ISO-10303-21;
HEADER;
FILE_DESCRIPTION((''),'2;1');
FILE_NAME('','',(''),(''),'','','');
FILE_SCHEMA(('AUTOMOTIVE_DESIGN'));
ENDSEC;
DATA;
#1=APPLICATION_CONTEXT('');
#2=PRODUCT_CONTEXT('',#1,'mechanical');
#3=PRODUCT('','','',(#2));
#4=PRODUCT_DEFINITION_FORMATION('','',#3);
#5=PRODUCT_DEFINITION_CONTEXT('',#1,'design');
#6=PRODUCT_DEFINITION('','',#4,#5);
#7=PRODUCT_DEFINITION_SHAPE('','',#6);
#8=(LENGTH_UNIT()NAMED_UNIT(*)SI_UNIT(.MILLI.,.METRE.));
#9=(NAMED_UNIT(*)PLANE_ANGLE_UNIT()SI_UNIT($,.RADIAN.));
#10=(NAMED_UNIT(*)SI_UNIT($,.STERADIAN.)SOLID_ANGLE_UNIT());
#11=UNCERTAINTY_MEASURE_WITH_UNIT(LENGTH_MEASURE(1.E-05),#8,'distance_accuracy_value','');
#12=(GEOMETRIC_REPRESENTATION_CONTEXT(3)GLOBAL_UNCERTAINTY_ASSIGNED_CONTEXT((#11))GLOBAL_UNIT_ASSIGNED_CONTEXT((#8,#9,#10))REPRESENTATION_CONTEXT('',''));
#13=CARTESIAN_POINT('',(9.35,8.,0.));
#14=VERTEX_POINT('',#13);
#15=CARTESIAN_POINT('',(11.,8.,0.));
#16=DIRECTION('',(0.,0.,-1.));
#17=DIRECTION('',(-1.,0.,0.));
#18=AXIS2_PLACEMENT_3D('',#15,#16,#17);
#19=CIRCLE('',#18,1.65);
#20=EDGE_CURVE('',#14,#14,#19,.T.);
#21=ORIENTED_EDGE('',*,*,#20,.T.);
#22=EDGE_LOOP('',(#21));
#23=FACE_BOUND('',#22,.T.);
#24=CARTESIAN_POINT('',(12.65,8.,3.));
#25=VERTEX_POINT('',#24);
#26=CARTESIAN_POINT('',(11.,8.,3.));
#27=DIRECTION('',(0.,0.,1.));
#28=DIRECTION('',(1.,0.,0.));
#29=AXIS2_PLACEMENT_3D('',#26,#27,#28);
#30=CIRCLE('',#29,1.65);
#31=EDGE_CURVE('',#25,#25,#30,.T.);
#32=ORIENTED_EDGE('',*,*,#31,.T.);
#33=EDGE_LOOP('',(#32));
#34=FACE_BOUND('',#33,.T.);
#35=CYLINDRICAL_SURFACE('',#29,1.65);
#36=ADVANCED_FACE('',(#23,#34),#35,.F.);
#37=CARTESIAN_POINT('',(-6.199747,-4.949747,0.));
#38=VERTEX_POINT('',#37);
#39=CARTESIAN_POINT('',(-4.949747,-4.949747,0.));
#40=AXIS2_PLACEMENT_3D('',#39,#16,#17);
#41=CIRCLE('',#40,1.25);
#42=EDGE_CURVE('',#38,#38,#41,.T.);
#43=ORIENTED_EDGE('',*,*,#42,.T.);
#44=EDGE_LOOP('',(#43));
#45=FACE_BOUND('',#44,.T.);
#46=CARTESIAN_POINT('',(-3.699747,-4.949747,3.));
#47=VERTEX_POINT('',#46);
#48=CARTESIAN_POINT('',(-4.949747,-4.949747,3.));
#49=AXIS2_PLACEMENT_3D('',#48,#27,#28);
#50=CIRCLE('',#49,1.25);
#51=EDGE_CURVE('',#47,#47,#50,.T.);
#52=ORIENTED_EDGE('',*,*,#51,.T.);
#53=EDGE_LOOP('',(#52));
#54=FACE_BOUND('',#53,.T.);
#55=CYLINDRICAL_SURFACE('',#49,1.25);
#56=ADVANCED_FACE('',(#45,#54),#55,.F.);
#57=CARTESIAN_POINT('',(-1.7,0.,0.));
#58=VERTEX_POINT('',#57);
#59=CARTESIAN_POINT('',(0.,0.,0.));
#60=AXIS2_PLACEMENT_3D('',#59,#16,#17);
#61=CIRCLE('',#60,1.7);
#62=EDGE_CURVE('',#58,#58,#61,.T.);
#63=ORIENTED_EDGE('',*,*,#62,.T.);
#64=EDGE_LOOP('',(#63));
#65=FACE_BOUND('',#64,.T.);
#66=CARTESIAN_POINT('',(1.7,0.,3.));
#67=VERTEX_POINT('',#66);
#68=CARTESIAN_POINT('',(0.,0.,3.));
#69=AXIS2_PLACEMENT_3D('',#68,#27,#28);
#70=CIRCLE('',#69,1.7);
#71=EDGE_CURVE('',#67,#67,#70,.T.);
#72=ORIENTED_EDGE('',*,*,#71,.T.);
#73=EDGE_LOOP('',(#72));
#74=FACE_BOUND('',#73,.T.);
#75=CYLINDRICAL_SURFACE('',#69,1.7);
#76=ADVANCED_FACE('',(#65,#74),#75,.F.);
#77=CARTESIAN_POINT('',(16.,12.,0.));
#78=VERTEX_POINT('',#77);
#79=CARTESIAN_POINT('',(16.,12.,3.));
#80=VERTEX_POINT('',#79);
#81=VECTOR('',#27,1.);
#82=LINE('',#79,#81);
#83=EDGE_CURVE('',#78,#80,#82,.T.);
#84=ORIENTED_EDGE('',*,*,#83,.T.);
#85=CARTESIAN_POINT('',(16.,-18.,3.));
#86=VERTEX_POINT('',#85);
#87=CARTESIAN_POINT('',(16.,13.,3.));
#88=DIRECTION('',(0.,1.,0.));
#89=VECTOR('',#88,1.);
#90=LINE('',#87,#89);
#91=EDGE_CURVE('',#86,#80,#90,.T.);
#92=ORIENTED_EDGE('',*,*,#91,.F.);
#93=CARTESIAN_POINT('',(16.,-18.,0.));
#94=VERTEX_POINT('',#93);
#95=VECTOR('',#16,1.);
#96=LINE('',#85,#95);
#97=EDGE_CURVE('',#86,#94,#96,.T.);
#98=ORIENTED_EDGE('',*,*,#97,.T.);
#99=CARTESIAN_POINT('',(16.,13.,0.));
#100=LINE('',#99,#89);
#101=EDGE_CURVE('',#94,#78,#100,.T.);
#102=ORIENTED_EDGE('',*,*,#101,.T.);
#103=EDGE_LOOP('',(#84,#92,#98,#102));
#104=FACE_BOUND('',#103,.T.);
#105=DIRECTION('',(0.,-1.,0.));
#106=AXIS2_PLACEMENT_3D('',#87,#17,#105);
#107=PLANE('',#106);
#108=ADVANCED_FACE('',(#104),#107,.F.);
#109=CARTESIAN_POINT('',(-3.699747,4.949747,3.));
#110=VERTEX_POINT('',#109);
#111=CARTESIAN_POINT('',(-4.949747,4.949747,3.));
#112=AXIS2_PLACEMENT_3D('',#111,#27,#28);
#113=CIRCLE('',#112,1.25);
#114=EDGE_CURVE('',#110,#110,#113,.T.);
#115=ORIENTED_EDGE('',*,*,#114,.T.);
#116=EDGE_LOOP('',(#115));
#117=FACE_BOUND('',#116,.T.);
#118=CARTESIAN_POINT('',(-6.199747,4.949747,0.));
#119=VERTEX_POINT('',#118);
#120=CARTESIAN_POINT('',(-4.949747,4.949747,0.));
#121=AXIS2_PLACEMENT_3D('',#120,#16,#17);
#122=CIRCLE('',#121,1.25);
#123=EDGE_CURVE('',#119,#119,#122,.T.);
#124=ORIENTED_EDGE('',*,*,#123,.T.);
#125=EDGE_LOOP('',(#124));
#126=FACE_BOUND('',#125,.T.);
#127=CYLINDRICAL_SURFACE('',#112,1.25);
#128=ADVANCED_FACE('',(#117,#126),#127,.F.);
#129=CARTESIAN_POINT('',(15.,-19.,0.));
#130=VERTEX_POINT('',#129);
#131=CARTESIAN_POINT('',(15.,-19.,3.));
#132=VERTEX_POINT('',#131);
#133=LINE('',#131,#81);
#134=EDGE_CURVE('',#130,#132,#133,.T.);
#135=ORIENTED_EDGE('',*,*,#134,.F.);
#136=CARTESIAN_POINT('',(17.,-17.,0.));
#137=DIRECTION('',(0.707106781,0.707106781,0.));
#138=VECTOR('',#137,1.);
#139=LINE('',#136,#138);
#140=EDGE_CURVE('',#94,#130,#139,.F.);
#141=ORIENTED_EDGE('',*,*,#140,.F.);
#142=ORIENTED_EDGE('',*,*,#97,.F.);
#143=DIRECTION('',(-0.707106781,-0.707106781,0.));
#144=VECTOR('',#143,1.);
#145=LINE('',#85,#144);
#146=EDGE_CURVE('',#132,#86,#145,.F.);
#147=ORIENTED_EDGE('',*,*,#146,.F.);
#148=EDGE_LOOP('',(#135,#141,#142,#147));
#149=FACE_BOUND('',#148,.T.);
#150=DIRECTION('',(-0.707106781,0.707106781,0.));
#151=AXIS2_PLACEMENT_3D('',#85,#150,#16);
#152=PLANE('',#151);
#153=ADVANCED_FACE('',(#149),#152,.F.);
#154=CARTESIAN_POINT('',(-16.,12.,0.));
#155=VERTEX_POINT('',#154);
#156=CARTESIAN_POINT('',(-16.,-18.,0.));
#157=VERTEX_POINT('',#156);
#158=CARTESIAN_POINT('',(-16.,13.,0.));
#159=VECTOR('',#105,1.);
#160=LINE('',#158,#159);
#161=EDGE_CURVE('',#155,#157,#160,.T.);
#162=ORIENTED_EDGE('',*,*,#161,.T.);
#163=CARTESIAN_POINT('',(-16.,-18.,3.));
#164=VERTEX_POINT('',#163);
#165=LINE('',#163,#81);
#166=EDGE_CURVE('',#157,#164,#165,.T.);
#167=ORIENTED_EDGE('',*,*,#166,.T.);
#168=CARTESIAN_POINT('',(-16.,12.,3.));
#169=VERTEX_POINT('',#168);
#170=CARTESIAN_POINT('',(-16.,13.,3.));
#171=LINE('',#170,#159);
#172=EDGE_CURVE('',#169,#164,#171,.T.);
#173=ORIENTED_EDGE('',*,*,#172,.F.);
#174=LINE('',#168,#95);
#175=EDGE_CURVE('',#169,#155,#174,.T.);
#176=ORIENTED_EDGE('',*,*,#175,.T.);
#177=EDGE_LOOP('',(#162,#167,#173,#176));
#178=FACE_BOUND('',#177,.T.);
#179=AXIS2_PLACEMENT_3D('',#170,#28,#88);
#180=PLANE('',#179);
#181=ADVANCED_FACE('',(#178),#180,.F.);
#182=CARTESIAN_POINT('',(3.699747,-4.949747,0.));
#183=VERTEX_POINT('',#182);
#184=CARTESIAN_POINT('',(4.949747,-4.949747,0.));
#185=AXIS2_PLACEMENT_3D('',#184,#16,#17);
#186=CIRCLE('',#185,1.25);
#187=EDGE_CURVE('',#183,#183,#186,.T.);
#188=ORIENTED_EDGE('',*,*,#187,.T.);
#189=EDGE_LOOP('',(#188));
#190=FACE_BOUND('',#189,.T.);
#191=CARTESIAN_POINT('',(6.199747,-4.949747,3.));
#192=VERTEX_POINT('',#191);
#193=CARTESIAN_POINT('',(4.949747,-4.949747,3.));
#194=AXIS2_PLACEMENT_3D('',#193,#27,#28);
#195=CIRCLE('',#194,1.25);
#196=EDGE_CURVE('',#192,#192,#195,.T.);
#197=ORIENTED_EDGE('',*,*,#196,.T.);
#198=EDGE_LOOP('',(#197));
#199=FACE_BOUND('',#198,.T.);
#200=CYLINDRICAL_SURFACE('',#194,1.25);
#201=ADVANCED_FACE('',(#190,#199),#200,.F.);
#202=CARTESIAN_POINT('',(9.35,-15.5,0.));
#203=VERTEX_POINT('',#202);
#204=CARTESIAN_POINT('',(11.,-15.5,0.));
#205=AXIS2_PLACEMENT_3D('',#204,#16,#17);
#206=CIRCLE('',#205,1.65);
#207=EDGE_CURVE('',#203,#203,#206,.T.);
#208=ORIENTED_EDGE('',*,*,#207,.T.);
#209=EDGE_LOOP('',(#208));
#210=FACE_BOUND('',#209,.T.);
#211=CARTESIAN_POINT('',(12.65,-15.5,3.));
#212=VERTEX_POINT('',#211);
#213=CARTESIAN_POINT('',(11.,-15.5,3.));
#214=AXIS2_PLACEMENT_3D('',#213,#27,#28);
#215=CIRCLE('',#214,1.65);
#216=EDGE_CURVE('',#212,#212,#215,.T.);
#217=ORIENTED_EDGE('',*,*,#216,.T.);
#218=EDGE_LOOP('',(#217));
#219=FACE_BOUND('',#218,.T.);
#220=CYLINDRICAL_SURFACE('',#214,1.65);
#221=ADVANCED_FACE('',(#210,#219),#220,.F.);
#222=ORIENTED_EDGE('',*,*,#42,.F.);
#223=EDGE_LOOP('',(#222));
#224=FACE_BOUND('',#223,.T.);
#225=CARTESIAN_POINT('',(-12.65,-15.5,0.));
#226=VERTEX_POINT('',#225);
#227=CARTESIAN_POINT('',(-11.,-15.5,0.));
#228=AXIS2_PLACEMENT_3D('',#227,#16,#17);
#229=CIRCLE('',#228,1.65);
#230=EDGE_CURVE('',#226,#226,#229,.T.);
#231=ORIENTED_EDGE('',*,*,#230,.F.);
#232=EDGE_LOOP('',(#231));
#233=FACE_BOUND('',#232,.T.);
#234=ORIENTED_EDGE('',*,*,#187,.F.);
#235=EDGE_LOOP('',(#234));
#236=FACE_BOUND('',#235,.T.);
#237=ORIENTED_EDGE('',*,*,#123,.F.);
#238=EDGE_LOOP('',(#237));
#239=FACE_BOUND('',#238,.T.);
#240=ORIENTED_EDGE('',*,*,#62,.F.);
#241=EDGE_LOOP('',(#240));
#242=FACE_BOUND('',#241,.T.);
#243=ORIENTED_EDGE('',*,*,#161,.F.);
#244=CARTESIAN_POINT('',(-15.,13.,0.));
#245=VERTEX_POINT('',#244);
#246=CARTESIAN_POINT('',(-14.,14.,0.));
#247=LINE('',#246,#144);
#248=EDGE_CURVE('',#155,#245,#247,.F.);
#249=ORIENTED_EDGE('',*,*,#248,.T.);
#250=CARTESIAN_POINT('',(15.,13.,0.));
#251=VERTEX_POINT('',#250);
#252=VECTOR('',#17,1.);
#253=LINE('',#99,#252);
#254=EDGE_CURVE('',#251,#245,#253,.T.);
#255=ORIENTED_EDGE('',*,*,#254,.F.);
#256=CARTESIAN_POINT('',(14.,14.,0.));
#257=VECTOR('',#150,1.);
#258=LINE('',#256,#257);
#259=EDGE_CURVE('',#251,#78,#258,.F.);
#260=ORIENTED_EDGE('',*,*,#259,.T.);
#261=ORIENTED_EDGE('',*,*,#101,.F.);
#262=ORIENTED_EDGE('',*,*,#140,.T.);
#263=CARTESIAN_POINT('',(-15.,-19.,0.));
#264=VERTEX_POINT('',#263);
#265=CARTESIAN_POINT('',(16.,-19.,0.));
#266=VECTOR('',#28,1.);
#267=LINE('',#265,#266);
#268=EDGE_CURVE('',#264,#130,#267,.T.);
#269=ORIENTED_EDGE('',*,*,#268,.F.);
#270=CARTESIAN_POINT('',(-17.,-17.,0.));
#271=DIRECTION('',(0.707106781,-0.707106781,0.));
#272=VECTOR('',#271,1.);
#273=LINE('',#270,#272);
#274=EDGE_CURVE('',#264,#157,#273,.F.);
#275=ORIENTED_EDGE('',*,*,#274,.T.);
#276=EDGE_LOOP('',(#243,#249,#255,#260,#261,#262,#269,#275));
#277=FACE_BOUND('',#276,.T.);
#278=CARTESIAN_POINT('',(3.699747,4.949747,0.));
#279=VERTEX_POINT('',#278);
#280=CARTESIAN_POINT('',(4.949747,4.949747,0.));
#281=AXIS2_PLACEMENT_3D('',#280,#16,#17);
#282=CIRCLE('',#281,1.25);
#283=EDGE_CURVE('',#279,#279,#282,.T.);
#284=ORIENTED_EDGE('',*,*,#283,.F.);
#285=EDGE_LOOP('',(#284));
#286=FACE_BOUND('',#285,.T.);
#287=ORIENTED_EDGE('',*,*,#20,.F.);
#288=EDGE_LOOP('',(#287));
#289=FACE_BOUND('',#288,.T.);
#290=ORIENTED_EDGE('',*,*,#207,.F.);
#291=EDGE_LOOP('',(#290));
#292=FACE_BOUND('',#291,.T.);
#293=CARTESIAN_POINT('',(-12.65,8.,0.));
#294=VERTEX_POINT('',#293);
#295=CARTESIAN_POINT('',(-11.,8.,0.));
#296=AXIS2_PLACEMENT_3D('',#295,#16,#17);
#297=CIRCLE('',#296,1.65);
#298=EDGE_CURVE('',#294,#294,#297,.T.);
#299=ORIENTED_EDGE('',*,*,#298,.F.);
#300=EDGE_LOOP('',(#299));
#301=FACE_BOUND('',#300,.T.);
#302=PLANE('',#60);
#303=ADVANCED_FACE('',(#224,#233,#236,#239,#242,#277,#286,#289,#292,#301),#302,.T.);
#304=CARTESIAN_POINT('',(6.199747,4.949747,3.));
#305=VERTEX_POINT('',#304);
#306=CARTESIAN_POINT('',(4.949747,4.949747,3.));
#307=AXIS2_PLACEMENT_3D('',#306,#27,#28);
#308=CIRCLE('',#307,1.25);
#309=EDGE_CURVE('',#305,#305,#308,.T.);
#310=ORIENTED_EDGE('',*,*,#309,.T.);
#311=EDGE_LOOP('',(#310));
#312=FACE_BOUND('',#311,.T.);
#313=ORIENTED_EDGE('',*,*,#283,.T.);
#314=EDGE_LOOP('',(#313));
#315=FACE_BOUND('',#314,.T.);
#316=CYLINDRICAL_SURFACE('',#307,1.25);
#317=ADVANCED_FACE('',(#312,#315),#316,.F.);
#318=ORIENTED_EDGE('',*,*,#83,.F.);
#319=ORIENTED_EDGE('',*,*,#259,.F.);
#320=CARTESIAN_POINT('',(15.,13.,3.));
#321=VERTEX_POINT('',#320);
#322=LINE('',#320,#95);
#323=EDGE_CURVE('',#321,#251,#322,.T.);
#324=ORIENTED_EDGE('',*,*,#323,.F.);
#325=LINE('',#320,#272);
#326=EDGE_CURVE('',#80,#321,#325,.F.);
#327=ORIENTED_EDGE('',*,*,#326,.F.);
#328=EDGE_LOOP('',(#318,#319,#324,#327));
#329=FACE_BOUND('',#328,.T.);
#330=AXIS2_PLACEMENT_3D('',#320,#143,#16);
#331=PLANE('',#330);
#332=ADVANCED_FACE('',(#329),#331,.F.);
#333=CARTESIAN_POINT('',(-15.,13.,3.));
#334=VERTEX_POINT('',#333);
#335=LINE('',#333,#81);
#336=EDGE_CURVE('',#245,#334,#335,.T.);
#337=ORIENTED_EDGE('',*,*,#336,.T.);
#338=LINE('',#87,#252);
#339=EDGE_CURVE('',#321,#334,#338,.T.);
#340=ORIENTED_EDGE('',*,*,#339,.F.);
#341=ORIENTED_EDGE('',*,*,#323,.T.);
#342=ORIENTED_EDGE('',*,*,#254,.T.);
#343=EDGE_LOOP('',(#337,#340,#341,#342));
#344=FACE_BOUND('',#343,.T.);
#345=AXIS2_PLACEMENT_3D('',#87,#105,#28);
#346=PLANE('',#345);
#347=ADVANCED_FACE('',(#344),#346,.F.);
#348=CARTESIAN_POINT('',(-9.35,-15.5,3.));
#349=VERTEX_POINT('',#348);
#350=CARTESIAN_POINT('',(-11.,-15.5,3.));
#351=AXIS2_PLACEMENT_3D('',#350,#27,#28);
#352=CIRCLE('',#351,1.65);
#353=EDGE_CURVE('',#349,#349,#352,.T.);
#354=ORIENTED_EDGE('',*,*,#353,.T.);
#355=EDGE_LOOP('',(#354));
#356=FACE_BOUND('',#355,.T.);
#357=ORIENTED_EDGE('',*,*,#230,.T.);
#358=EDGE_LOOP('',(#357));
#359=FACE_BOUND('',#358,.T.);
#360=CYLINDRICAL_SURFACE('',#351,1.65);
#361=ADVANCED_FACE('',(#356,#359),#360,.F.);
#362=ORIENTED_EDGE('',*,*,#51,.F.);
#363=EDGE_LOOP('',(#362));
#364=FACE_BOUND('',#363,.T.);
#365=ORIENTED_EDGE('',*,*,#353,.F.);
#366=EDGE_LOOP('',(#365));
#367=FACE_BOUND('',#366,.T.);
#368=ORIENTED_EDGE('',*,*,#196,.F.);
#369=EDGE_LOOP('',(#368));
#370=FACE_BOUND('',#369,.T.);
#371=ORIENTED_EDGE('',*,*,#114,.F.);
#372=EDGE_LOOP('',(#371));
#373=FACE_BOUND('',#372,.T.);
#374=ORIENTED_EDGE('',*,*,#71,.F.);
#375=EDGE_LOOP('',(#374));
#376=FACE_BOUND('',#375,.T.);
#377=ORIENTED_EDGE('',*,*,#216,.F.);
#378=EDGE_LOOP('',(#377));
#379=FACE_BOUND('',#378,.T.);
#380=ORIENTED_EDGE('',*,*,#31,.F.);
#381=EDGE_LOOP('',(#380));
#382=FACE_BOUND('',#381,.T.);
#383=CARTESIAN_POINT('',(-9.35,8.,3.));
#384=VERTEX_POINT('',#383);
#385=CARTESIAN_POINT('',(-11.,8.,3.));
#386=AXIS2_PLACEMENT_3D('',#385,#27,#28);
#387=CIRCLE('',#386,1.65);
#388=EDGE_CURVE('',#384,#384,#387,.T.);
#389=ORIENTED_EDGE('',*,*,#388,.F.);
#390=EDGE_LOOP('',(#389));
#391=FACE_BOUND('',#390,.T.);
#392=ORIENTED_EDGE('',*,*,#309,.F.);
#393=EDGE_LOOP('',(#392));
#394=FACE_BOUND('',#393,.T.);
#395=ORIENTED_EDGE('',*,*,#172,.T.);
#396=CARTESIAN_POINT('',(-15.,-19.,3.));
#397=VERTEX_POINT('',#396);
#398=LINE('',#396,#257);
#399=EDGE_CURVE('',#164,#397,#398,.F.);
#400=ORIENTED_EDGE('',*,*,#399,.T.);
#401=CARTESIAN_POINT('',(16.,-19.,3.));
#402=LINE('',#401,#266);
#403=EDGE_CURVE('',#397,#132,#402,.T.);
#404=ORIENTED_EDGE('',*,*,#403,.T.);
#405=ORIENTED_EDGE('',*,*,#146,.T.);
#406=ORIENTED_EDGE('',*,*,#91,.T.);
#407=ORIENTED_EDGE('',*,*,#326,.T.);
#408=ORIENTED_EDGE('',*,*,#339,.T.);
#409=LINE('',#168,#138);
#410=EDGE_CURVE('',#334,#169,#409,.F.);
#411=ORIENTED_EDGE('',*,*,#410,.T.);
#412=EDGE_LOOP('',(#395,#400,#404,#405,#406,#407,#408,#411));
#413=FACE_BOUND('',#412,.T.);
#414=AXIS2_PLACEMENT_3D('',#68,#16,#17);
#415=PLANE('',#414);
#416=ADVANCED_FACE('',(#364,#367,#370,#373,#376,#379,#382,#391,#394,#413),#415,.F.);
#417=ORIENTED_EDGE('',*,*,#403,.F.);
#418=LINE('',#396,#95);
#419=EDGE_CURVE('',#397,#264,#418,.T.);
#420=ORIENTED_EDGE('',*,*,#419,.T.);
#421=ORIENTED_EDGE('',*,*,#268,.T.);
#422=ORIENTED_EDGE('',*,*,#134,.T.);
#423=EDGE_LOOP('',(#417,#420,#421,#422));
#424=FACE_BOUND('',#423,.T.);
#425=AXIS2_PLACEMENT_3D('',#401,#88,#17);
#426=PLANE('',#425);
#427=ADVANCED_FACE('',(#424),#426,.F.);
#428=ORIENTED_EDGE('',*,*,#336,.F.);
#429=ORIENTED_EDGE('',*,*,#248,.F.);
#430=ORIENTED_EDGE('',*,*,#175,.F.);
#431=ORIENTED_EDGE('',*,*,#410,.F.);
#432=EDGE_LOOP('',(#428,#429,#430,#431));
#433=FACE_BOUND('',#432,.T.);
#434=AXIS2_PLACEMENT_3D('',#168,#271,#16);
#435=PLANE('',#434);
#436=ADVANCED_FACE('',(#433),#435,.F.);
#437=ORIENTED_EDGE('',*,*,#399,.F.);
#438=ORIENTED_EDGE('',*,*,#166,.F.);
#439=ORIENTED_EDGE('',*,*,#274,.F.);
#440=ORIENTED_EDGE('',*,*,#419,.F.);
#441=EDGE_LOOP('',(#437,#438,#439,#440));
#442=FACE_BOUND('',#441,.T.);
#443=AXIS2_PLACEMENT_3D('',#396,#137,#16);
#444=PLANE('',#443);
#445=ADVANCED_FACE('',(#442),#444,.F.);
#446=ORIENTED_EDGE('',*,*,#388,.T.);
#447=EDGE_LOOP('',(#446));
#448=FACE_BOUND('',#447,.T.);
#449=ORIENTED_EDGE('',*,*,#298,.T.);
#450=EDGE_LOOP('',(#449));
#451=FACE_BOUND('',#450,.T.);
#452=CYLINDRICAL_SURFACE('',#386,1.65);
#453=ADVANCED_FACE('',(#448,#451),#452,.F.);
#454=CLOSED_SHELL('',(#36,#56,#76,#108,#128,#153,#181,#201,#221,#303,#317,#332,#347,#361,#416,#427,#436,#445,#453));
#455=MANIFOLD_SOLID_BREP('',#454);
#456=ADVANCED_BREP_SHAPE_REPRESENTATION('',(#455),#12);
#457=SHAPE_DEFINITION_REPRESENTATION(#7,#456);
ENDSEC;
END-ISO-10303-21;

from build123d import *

# Parameters (mm, degrees)
SKETCH_1_W                  = 32
SKETCH_1_H                  = 32
EXTRUDE_1_DEPTH             = 3
HOLE_WIZARD_3_4_3_4_1_D     = 3.4
HOLE_WIZARD_3_4_3_4_1_DEPTH = 6
HOLE_WIZARD_3_4_3_4_1_TIP   = 1.021463052
PATTERN_CIRCULAR_1_COUNT    = 4
HOLE_WIZARD_M4_1_D          = 3.3
CHAMFER_1_SIZE              = 1


with BuildPart() as part:
    # 草图1 → 凸台-拉伸1 (new body)
    with BuildSketch(Plane.XY):
        with Locations((0, -3)):
            Rectangle(SKETCH_1_W, SKETCH_1_H)
    extrude(amount=EXTRUDE_1_DEPTH)

    # Ø3.4 (3.4) 直径孔1
    with Locations(Plane.XY.offset(3)):
        with Locations((0, 0)):
            Hole(HOLE_WIZARD_3_4_3_4_1_D / 2, depth=HOLE_WIZARD_3_4_3_4_1_DEPTH)
            with Locations((0, 0, -(HOLE_WIZARD_3_4_3_4_1_DEPTH + HOLE_WIZARD_3_4_3_4_1_TIP / 2))):  # 118° drill point
                Cone(0, HOLE_WIZARD_3_4_3_4_1_D / 2, HOLE_WIZARD_3_4_3_4_1_TIP, mode=Mode.SUBTRACT)

    # 草图4 → M3 螺纹孔1 (revolve, cut)
    with BuildSketch(Plane(origin=(-4.949747468, -4.949747468, 3), x_dir=(0, -1, 0), z_dir=(1, 0, 0))):
        Polygon((0, 0), (0, 9.251075774), (1.25, 8.5), (1.25, 0), align=None)
    hole_wizard_m3_1 = revolve(axis=Axis((-4.949747468, -4.949747468, 9.35), (0, 0, -1)), mode=Mode.SUBTRACT)

    # 阵列(圆周)1: M3 螺纹孔1 ×4 about axis
    pattern_circular_1_axis = Axis((0, 0, 0), (0, 0, 1))
    for i in range(1, PATTERN_CIRCULAR_1_COUNT):
        add(hole_wizard_m3_1.rotate(pattern_circular_1_axis, i * 360 / PATTERN_CIRCULAR_1_COUNT), mode=Mode.SUBTRACT)

    # M4 螺纹孔1 (through all)
    with Locations(Plane.XY.offset(3)):
        with Locations((-11, 8), (11, 8), (-11, -15.5), (11, -15.5)):
            Hole(HOLE_WIZARD_M4_1_D / 2)

    # 倒角1
    chamfer_1_edges = [part.edges().sort_by_distance(p)[0] for p in [
        (-16, 13, 1.5),
        (16, 13, 1.5),
        (16, -19, 1.5),
        (-16, -19, 1.5),
    ]]
    chamfer(chamfer_1_edges, length=CHAMFER_1_SIZE)


solid = part.part
